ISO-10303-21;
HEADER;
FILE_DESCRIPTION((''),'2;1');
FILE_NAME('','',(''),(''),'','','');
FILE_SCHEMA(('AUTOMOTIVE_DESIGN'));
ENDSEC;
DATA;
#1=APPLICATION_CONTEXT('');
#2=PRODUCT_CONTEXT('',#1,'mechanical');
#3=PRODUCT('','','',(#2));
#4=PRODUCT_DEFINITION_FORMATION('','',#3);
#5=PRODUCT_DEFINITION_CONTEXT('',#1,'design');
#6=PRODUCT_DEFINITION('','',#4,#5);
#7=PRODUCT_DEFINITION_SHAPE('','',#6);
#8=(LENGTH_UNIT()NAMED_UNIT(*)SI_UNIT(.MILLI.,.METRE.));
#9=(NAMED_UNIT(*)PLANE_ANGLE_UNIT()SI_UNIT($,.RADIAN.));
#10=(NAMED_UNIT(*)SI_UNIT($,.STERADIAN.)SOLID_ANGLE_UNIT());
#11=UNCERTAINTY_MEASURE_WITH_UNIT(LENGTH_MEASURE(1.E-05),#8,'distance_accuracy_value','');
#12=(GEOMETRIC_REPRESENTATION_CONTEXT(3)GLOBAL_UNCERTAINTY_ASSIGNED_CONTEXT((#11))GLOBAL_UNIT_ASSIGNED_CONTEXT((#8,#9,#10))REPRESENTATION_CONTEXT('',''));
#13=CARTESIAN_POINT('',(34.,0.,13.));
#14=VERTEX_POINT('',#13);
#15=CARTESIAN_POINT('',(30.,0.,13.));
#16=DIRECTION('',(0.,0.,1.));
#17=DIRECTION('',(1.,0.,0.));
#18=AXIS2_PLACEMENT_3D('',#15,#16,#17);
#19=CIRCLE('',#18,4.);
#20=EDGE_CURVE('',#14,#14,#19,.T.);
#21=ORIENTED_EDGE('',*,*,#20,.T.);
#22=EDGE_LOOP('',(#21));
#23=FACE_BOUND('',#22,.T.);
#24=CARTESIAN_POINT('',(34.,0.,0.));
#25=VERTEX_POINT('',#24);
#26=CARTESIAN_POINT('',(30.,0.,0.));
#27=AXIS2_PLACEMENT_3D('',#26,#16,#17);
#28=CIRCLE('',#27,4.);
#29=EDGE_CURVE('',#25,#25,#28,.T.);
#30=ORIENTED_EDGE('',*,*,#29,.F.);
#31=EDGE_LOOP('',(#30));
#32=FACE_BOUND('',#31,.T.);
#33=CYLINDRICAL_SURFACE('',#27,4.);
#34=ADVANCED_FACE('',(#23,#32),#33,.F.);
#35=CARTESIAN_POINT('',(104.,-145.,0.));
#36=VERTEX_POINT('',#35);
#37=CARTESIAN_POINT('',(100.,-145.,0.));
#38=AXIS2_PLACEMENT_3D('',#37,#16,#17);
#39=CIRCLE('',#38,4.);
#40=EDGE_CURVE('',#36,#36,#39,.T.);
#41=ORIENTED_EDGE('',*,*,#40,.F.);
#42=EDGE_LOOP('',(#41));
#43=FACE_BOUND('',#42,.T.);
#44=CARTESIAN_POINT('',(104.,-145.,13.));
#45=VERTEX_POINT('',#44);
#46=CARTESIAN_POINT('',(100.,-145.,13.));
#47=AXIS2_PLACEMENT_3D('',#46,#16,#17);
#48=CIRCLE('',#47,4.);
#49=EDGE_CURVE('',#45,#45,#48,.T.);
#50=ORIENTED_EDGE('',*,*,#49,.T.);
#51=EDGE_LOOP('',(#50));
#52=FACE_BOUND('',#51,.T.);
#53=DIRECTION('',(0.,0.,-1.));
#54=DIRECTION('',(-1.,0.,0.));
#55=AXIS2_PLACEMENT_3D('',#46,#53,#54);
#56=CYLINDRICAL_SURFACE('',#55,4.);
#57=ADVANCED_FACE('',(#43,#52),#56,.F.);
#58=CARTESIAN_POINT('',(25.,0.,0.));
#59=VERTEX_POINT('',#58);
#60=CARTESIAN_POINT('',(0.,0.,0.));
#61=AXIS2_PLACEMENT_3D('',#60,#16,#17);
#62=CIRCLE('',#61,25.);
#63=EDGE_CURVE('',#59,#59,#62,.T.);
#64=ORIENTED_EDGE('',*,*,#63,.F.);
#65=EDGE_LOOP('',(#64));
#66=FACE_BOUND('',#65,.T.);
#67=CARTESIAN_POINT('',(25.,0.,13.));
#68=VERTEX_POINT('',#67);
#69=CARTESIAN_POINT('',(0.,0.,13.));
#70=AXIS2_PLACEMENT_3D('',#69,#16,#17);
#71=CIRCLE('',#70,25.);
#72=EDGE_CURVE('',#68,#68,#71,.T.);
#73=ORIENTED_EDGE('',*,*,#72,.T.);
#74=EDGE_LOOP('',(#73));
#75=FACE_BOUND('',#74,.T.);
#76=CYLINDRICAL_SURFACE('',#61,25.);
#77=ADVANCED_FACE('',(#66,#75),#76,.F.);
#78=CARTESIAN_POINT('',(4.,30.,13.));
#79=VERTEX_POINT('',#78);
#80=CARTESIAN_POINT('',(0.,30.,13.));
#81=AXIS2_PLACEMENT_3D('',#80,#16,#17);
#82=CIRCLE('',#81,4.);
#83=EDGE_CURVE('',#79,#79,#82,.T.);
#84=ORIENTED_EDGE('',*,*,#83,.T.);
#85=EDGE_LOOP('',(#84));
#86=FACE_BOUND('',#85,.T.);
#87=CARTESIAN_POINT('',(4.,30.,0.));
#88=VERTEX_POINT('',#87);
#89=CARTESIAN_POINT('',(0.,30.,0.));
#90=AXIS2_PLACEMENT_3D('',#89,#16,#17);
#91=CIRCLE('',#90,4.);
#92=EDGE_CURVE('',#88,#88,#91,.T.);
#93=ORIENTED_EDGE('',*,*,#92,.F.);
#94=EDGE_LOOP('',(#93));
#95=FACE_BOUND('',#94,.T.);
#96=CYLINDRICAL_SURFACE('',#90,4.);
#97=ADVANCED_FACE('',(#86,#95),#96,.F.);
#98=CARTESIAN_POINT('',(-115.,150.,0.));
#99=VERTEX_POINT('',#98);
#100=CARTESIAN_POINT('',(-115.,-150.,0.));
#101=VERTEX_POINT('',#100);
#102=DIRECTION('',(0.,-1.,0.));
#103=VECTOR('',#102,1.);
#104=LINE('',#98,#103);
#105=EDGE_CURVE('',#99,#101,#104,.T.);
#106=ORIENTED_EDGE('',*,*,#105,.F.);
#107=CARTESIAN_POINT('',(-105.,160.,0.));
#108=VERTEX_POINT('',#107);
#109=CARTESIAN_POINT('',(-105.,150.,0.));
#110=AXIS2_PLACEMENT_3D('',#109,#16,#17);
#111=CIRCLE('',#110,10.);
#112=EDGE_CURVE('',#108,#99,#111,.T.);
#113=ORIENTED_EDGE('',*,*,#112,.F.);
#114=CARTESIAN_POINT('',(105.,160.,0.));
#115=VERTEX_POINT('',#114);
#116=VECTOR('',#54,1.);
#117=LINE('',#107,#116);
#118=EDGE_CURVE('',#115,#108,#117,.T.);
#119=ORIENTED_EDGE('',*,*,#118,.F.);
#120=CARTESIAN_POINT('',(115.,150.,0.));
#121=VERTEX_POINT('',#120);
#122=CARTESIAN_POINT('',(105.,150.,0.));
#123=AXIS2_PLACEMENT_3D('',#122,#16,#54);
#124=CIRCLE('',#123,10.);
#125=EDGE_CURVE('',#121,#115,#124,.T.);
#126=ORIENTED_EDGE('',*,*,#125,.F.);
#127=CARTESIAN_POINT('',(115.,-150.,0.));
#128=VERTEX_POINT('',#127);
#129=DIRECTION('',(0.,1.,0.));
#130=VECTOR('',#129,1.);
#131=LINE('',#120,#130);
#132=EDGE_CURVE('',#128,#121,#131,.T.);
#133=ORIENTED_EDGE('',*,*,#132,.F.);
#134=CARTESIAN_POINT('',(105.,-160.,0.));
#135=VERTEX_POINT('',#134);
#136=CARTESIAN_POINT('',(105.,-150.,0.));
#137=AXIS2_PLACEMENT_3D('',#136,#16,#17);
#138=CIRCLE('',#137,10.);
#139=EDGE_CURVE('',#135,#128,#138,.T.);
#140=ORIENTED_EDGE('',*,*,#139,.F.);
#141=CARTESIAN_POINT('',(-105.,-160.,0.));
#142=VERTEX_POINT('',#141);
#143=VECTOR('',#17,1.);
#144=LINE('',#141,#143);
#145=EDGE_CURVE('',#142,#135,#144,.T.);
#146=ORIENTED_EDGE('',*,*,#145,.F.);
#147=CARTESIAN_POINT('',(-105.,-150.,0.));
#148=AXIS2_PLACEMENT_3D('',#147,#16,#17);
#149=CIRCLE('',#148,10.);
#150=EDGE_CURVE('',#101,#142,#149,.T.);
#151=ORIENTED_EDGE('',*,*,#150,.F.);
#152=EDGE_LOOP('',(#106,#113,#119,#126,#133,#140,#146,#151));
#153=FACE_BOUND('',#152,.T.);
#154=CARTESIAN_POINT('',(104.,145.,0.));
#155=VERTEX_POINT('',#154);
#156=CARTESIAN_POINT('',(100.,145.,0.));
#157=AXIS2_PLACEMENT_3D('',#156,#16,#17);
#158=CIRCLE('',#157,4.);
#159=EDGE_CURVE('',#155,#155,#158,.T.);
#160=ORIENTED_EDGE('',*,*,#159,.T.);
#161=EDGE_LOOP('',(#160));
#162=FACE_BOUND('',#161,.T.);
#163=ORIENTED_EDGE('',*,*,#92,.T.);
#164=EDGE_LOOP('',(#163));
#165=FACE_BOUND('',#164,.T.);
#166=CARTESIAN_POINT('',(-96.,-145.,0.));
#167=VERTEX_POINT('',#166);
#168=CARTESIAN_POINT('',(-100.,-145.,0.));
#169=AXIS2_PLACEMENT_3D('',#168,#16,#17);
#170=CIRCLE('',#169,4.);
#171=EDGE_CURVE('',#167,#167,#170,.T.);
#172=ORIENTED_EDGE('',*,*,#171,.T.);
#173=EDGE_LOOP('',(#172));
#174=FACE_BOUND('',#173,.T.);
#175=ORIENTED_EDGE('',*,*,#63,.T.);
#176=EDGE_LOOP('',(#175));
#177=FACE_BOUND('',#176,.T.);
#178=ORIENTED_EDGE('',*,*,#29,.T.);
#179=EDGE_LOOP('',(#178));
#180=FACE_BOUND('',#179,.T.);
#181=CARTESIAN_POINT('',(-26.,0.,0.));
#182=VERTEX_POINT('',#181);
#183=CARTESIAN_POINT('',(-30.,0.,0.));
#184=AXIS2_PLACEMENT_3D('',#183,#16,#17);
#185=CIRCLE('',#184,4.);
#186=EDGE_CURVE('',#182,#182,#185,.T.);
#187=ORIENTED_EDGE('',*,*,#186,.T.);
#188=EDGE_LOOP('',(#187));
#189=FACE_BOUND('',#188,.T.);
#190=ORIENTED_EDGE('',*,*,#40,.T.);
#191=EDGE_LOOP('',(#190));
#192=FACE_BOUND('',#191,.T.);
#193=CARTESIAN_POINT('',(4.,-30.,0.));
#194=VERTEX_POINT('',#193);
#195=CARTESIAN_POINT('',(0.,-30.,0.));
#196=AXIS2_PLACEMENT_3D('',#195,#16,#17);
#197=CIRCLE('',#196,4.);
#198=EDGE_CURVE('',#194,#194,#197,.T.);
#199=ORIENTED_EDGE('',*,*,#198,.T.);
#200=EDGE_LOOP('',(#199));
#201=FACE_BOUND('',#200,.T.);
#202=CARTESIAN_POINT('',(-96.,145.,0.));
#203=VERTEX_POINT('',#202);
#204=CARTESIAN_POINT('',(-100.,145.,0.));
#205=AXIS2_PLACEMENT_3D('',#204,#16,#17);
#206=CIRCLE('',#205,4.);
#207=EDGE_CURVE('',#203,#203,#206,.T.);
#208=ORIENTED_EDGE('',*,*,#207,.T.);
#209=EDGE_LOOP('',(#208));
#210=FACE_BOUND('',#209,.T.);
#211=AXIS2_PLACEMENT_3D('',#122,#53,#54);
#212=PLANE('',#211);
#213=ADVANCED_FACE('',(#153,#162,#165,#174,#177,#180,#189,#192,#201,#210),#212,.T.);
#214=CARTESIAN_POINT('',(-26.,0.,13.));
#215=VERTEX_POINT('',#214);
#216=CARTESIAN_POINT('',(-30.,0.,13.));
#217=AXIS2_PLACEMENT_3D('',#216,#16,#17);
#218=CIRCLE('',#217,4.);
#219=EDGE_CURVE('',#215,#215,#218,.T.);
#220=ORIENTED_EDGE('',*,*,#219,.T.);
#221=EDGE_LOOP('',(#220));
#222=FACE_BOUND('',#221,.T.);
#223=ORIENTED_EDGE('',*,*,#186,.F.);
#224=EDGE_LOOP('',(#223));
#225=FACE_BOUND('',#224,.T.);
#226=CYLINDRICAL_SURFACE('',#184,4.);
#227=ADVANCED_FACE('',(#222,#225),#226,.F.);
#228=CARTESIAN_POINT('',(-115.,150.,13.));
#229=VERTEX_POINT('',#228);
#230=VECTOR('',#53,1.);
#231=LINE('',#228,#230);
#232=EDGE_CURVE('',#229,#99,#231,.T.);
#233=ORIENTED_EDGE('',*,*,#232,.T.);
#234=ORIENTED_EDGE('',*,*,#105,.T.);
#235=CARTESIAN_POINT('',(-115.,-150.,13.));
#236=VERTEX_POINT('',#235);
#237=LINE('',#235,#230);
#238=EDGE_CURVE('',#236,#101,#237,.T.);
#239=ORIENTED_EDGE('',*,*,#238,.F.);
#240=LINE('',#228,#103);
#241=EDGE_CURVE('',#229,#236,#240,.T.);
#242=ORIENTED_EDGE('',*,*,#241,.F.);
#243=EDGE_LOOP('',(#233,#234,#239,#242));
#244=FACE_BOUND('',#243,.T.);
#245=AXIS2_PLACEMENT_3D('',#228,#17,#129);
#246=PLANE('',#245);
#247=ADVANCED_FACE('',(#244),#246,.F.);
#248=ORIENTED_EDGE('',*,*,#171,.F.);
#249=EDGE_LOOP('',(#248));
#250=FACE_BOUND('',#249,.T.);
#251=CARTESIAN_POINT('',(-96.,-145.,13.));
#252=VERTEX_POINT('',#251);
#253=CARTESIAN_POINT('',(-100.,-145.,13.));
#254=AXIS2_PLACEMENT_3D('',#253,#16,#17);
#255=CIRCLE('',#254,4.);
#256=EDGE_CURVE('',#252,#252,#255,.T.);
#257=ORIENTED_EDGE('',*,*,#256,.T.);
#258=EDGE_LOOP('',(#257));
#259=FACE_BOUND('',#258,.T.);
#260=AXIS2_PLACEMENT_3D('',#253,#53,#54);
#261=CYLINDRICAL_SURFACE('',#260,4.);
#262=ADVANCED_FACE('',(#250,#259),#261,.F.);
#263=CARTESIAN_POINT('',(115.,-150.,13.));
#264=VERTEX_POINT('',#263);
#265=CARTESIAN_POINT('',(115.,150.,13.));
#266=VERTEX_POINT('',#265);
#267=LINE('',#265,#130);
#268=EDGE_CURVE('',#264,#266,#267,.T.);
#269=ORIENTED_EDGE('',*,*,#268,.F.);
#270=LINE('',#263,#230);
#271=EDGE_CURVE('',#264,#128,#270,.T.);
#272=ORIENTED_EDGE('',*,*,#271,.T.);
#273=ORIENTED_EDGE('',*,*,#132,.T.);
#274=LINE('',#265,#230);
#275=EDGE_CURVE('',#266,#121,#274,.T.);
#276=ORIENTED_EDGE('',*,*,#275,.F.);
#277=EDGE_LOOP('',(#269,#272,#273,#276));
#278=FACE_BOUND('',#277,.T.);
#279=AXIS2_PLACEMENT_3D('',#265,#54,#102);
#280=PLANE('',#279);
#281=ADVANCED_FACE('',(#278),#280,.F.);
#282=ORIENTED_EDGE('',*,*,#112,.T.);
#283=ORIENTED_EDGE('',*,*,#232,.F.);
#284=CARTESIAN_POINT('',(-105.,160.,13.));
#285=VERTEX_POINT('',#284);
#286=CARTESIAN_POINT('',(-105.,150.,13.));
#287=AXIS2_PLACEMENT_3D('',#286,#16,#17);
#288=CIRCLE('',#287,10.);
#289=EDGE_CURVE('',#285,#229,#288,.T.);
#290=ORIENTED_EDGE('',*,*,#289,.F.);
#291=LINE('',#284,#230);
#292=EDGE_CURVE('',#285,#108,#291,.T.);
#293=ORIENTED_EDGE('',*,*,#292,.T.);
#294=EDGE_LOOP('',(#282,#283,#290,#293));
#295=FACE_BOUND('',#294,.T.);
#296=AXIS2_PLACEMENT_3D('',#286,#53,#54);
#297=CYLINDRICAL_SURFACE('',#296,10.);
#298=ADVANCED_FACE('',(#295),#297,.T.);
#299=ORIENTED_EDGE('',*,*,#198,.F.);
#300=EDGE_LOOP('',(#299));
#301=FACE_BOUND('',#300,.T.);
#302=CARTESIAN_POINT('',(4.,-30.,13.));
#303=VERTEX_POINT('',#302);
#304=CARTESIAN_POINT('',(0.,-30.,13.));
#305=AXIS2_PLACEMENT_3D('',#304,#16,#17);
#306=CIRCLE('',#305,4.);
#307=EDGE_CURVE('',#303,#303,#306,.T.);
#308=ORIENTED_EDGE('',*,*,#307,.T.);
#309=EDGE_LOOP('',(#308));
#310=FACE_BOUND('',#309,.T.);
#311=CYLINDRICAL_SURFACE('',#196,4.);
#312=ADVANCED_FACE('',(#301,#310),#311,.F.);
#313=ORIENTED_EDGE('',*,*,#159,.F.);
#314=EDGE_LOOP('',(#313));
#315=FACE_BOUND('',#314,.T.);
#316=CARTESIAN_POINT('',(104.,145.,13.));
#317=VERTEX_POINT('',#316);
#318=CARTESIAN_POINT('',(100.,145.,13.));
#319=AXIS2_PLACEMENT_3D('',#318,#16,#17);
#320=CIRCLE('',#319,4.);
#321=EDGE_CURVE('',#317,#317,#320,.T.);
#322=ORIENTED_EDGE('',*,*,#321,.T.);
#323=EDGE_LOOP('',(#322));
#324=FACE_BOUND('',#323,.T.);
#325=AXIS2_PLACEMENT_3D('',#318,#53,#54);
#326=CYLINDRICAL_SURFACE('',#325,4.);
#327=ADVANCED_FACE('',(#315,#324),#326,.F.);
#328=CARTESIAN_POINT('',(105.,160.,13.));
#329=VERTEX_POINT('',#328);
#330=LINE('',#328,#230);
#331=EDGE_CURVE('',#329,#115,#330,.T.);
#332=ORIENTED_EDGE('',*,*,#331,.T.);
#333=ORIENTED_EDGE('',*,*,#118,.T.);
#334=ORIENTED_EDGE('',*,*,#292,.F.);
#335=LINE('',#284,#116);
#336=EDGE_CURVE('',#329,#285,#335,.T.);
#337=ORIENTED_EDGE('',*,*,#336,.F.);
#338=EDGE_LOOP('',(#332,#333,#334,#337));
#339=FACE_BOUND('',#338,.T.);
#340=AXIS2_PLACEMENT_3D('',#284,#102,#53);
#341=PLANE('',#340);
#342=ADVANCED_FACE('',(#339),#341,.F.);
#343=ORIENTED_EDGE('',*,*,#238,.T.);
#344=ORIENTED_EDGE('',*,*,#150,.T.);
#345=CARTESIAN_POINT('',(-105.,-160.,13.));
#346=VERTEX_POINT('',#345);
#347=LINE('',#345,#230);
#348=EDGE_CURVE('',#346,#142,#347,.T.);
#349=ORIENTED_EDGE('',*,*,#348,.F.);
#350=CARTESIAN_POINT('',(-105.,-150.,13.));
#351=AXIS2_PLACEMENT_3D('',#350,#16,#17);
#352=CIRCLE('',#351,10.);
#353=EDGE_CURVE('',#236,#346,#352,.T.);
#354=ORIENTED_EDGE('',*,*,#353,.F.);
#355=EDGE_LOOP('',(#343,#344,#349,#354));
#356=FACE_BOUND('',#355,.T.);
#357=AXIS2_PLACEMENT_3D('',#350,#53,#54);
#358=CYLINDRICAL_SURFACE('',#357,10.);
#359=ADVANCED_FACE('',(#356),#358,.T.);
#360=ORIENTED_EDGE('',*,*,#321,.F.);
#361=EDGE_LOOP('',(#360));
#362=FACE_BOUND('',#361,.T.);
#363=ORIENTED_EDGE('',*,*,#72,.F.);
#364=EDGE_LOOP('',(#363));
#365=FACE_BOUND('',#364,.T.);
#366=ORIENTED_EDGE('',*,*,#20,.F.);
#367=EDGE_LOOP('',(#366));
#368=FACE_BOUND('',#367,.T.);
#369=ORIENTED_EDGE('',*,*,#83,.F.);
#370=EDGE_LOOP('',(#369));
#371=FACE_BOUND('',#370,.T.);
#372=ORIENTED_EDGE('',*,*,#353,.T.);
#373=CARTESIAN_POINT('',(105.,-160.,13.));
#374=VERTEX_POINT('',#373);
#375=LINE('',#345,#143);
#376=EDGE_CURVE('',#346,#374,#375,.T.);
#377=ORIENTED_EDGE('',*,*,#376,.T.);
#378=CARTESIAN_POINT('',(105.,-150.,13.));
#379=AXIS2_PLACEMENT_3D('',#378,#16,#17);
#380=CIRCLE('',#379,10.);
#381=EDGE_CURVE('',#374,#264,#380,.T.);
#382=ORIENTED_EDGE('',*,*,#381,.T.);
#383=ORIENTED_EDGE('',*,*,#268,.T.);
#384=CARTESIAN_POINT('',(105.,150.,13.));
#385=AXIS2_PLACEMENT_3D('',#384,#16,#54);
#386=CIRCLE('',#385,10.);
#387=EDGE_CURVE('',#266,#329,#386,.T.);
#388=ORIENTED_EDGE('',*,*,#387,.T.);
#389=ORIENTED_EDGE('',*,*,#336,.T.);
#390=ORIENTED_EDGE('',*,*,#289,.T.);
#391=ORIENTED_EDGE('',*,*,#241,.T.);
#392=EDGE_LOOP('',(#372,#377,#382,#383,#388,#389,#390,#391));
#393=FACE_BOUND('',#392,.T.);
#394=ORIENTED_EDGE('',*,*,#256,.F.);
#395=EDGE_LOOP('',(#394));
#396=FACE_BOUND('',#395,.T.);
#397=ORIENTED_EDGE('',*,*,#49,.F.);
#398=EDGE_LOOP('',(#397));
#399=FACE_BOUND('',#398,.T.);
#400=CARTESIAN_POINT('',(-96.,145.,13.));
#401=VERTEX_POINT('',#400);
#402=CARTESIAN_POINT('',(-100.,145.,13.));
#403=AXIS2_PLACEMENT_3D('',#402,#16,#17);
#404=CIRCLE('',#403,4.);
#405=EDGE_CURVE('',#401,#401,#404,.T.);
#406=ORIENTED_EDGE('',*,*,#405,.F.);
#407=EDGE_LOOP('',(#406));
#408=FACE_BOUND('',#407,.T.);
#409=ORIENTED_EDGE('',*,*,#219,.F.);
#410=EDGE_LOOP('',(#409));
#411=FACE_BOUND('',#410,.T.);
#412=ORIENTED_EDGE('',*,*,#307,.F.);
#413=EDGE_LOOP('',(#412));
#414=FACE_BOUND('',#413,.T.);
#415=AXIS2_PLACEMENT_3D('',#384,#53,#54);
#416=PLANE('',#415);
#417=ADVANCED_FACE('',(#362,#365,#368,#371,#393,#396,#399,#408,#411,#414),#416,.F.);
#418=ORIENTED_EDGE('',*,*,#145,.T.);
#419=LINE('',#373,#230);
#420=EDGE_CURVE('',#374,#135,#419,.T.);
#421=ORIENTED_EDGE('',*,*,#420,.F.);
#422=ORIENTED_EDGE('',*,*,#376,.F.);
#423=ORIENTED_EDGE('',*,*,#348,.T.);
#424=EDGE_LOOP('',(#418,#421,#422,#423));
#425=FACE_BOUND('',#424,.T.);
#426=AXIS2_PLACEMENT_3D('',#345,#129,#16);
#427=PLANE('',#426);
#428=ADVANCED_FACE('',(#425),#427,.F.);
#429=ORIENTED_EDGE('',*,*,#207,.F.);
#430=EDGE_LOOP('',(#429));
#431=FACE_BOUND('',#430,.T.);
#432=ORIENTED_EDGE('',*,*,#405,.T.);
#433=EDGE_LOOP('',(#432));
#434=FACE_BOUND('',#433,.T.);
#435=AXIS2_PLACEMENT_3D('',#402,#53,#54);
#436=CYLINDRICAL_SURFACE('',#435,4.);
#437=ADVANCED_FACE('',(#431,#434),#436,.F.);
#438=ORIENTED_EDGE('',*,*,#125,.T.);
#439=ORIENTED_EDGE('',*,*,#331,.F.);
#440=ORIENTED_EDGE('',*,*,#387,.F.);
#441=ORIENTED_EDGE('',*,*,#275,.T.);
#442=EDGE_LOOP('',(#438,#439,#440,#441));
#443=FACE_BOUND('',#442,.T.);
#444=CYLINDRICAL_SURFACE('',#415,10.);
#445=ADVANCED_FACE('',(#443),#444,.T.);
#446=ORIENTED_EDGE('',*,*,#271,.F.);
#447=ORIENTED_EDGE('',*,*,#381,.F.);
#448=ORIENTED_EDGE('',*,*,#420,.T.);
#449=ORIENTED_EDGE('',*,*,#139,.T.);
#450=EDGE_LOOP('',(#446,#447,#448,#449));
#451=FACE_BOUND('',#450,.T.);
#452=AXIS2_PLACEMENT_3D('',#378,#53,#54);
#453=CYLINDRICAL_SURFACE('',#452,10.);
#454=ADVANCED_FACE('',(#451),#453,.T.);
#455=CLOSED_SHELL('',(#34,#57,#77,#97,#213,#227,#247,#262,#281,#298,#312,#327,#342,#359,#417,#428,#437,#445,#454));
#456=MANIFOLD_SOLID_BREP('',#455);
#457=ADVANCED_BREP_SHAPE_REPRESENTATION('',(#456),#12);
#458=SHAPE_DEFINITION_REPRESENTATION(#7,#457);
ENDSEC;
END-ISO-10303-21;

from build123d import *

# Parameters (mm, degrees)
CROQUIS2_R              = 4
SALIENTE_EXTRUIR1_DEPTH = 13
CROQUIS3_R              = 25
CORTAR_EXTRUIR1_DEPTH   = 14
CROQUIS3_3_R            = 4
CORTAR_EXTRUIR2_DEPTH   = 14


with BuildPart() as part:
    # Croquis2 → Saliente-Extruir1 (new body)
    with BuildSketch(Plane.XY):
        with BuildLine():
            Line((-105, 160), (105, 160))
            ThreePointArc((105, 160), (112.071067812, 157.071067812), (115, 150))
            Line((115, 150), (115, -150))
            ThreePointArc((115, -150), (112.071067812, -157.071067812), (105, -160))
            Line((105, -160), (-105, -160))
            ThreePointArc((-105, -160), (-112.071067812, -157.071067812), (-115, -150))
            Line((-115, -150), (-115, 150))
            ThreePointArc((-115, 150), (-112.071067812, 157.071067812), (-105, 160))
        make_face()
        with Locations((-100, -145)):
            Circle(CROQUIS2_R, mode=Mode.SUBTRACT)
        with Locations((-100, 145)):
            Circle(CROQUIS2_R, mode=Mode.SUBTRACT)
        with Locations((100, -145)):
            Circle(CROQUIS2_R, mode=Mode.SUBTRACT)
        with Locations((100, 145)):
            Circle(CROQUIS2_R, mode=Mode.SUBTRACT)
    extrude(amount=SALIENTE_EXTRUIR1_DEPTH)

    # Croquis3 → Cortar-Extruir1 (cut, through all)
    with BuildSketch(Plane.XY.offset(13)):
        Circle(CROQUIS3_R)
    extrude(amount=-CORTAR_EXTRUIR1_DEPTH, mode=Mode.SUBTRACT)

    # Croquis3<3> → Cortar-Extruir2 (cut, through all)
    with BuildSketch(Plane.XY.offset(13)):
        with Locations((30, 0)):
            Circle(CROQUIS3_3_R)
        with Locations((0, 30)):
            Circle(CROQUIS3_3_R)
        with Locations((-30, 0)):
            Circle(CROQUIS3_3_R)
        with Locations((0, -30)):
            Circle(CROQUIS3_3_R)
    extrude(amount=-CORTAR_EXTRUIR2_DEPTH, mode=Mode.SUBTRACT)


solid = part.part
